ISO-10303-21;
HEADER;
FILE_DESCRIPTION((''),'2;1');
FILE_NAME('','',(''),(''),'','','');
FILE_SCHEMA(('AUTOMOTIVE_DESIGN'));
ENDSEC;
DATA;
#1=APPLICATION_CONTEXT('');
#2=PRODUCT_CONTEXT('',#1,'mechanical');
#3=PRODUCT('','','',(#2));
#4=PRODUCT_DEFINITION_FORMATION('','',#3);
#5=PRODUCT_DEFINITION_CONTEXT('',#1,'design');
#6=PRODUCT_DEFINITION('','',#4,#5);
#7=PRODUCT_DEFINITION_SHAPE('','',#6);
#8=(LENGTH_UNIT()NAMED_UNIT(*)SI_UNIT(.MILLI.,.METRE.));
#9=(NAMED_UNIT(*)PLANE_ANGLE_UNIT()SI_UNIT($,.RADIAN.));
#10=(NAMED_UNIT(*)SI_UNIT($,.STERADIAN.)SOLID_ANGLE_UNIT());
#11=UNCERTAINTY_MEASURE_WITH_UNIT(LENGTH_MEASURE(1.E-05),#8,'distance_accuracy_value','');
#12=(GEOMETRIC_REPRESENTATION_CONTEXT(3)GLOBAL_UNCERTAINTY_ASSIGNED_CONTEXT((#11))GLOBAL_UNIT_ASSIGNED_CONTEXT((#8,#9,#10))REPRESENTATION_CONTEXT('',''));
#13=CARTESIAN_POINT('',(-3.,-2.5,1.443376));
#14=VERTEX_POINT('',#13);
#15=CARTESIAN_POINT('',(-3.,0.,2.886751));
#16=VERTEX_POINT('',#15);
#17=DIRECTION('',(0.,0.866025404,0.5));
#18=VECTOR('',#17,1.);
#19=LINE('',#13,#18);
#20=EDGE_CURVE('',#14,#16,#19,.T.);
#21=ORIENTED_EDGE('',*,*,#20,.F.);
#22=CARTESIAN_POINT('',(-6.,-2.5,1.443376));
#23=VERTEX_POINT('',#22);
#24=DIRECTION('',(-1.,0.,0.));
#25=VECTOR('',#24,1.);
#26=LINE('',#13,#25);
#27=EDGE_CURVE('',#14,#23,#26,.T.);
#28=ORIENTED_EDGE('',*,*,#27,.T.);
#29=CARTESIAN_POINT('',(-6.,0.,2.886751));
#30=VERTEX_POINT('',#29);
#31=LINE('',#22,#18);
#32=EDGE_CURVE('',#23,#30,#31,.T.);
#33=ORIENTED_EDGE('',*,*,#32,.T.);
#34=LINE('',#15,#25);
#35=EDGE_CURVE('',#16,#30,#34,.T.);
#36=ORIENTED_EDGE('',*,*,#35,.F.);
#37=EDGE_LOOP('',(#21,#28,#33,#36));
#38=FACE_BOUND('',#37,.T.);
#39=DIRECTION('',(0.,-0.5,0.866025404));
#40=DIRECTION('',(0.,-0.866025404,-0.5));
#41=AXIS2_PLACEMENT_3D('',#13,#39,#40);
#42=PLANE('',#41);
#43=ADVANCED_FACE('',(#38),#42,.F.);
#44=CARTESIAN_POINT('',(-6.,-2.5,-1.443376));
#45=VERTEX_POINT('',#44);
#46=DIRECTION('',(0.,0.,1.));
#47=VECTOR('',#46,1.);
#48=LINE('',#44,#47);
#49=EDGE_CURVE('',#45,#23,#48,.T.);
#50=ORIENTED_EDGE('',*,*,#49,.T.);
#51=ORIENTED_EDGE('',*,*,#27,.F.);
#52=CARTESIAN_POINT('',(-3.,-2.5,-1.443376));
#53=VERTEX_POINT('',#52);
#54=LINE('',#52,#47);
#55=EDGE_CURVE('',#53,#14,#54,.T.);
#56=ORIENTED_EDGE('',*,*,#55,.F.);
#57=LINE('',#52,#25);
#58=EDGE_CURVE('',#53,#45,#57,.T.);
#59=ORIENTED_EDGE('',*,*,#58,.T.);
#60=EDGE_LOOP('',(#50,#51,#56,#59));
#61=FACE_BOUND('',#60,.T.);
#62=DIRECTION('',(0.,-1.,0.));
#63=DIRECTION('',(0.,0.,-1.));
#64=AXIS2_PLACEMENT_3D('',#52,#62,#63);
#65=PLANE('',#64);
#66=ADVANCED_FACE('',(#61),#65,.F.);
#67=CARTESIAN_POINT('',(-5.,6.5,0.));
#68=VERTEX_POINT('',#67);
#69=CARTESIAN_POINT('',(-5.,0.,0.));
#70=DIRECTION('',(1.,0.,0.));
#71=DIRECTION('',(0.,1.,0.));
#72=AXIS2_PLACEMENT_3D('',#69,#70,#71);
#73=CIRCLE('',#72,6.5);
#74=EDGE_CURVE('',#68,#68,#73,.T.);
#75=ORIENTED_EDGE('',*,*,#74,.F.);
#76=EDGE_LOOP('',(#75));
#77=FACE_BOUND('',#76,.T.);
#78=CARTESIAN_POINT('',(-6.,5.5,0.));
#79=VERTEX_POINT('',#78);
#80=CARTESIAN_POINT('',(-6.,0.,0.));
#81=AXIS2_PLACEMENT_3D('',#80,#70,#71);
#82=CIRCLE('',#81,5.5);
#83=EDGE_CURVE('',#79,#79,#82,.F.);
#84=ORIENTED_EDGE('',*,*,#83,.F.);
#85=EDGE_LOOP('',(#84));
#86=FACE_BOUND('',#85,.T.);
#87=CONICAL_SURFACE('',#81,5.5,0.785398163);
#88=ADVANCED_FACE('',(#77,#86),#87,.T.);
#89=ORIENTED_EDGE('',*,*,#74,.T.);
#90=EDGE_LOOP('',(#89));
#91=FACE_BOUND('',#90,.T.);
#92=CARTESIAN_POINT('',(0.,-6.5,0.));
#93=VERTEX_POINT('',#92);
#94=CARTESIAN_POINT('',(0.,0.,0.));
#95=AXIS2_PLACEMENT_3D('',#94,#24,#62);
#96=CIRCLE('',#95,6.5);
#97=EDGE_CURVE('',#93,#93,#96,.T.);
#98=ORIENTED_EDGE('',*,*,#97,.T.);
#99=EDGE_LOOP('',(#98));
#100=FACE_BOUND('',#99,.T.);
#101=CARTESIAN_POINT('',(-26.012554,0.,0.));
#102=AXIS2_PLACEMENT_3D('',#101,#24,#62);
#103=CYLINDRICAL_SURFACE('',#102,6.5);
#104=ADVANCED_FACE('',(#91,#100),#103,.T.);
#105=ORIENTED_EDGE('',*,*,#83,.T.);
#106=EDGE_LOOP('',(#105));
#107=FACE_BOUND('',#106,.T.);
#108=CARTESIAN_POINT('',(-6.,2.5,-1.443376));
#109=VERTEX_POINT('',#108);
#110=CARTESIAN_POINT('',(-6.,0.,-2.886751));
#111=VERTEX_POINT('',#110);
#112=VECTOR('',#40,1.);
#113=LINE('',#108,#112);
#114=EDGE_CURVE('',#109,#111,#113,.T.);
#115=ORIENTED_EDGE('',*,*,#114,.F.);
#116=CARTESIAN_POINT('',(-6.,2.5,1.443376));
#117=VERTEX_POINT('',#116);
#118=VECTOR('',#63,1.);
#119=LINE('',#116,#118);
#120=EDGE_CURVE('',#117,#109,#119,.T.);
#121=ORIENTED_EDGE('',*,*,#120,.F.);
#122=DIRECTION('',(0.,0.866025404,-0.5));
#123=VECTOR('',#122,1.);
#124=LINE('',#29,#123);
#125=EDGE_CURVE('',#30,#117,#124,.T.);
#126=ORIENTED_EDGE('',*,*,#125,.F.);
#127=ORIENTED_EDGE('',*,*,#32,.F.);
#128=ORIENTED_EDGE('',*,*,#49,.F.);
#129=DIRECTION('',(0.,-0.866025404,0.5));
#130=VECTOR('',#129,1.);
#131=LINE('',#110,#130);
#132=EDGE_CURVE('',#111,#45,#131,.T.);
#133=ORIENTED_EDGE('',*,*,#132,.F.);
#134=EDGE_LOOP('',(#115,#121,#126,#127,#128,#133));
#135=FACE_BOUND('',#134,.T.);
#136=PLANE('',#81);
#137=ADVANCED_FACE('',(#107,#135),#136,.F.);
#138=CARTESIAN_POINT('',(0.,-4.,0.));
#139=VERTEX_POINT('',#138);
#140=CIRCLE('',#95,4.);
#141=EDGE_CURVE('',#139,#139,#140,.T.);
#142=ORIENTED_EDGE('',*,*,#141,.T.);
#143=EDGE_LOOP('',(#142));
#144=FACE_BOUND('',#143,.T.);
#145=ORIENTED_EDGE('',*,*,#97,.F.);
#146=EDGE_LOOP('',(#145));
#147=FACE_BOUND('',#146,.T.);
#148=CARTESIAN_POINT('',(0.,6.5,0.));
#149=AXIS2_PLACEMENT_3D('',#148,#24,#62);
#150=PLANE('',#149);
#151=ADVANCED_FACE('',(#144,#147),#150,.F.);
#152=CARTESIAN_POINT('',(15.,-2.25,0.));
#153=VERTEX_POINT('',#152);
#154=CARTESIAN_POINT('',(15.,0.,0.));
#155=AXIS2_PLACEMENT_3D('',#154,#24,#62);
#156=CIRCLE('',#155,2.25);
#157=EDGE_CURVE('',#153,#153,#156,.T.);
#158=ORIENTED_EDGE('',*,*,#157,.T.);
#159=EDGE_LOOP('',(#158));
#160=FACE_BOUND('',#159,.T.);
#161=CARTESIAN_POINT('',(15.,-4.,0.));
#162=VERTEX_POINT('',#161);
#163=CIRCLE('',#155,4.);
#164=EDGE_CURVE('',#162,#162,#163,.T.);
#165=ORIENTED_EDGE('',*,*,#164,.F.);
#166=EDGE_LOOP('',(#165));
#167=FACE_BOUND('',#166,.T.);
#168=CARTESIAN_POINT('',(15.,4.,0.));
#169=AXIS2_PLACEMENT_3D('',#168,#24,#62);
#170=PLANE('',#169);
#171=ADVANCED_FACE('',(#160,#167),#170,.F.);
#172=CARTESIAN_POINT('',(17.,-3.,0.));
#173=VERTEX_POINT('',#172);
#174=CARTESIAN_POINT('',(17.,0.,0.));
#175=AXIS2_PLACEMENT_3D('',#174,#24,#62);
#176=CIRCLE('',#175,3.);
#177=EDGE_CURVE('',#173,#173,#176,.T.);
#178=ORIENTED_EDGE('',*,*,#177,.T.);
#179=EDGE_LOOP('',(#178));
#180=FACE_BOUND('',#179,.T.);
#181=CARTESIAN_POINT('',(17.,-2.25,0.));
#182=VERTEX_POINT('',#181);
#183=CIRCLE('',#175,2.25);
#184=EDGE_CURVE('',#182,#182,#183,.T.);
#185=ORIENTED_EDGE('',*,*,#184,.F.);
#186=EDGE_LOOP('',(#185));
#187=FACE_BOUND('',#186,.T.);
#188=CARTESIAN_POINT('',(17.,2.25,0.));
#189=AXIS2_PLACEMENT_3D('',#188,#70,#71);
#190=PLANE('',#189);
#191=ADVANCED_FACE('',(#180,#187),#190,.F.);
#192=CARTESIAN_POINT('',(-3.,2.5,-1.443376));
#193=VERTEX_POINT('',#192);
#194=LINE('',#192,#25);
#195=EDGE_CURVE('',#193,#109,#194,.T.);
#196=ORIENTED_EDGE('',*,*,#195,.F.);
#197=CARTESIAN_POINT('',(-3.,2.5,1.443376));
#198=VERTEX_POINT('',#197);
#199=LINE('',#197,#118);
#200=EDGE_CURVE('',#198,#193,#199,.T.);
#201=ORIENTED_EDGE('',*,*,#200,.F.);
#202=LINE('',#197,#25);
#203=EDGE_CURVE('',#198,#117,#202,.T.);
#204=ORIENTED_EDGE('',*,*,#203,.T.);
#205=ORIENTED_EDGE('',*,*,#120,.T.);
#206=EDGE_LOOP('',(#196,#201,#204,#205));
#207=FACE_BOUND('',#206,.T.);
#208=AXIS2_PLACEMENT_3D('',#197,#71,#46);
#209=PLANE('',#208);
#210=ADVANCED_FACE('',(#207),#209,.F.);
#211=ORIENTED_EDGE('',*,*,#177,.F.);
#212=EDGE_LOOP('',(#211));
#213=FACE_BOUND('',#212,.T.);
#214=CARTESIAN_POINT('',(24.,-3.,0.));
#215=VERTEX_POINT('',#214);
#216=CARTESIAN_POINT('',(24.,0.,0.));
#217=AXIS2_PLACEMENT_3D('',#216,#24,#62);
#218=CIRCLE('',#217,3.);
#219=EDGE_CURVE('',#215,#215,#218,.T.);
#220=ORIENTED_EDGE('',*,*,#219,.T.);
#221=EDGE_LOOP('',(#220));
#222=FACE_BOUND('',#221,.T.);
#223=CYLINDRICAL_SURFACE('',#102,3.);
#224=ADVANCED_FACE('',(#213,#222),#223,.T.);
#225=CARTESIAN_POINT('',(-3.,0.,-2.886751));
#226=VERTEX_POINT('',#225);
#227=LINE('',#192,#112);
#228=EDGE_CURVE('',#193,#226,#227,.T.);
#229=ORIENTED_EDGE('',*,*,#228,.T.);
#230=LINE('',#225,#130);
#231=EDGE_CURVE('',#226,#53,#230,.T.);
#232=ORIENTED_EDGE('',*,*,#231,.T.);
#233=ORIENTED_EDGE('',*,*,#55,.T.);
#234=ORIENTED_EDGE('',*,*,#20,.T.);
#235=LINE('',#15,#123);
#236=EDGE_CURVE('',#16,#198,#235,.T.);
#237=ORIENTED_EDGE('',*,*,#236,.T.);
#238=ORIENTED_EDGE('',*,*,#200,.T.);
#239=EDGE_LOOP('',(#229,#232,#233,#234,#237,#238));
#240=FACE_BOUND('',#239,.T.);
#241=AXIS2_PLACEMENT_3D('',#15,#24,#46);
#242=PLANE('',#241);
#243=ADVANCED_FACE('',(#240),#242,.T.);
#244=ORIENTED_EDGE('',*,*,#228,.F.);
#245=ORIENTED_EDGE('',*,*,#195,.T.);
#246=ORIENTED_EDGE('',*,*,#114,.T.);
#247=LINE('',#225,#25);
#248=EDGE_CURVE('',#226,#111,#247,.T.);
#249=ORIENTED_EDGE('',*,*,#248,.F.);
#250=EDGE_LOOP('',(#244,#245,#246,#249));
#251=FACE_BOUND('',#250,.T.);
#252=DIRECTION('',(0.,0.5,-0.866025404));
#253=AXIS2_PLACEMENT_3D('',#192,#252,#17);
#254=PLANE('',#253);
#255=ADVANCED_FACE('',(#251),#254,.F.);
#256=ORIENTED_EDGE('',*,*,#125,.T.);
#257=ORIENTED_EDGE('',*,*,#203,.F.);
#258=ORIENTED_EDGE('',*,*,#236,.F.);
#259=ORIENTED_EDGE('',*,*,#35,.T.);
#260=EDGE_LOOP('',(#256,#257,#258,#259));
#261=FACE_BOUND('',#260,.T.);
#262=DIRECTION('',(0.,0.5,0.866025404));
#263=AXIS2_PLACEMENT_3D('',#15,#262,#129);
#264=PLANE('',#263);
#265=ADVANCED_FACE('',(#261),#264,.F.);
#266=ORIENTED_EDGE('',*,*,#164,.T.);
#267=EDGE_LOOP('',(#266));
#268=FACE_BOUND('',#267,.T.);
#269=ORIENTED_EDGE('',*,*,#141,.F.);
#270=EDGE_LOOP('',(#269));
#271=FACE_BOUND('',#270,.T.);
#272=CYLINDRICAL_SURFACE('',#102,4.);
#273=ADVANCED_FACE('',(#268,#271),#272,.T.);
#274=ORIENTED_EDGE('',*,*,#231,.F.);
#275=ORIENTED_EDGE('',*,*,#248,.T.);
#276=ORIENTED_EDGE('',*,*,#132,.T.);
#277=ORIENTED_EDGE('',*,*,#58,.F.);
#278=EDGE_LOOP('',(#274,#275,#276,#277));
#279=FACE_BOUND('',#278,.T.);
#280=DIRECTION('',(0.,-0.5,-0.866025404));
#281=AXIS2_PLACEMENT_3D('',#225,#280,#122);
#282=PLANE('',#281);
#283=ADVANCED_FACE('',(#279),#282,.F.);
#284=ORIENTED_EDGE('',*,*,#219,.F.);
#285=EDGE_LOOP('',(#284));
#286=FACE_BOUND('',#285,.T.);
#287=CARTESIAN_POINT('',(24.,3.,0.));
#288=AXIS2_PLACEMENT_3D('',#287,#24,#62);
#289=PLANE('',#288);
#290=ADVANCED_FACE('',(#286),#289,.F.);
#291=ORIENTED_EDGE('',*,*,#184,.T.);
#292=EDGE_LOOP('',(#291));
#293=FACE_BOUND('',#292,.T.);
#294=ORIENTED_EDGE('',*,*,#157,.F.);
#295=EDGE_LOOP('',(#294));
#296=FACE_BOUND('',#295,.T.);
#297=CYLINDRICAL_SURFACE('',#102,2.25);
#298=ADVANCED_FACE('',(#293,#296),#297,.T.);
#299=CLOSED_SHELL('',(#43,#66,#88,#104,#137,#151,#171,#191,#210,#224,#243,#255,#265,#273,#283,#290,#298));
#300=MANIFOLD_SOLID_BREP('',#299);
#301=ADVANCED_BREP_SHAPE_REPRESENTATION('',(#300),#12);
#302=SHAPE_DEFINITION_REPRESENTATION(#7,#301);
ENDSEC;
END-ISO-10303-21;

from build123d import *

# Parameters (mm, degrees)
CUT_EXTRUDE1_DEPTH = 3
CHAMFER1_SIZE      = 1


with BuildPart() as part:
    # Sketch1 → Revolve1 (revolve)
    with BuildSketch(Plane.XY):
        Polygon((-6, 0), (-6, 6.5), (0, 6.5), (0, 4), (15, 4), (15, 2.25), (17, 2.25), (17, 3), (24, 3), (24, 0), align=None)
    revolve(axis=Axis((-26.012554328, 0, 0), (1, 0, 0)))

    # Sketch2 → Cut-Extrude1 (cut)
    with BuildSketch(Plane.ZY.offset(6)):
        Polygon((2.886751346, 0), (1.443375673, 2.5), (-1.443375673, 2.5), (-2.886751346, 0), (-1.443375673, -2.5), (1.443375673, -2.5), align=None)
    extrude(amount=-CUT_EXTRUDE1_DEPTH, mode=Mode.SUBTRACT)

    # Chamfer1
    chamfer1_edges = [part.edges().sort_by_distance(p)[0] for p in [
        (-6, -6.5, 0),
    ]]
    chamfer(chamfer1_edges, length=CHAMFER1_SIZE)


solid = part.part
